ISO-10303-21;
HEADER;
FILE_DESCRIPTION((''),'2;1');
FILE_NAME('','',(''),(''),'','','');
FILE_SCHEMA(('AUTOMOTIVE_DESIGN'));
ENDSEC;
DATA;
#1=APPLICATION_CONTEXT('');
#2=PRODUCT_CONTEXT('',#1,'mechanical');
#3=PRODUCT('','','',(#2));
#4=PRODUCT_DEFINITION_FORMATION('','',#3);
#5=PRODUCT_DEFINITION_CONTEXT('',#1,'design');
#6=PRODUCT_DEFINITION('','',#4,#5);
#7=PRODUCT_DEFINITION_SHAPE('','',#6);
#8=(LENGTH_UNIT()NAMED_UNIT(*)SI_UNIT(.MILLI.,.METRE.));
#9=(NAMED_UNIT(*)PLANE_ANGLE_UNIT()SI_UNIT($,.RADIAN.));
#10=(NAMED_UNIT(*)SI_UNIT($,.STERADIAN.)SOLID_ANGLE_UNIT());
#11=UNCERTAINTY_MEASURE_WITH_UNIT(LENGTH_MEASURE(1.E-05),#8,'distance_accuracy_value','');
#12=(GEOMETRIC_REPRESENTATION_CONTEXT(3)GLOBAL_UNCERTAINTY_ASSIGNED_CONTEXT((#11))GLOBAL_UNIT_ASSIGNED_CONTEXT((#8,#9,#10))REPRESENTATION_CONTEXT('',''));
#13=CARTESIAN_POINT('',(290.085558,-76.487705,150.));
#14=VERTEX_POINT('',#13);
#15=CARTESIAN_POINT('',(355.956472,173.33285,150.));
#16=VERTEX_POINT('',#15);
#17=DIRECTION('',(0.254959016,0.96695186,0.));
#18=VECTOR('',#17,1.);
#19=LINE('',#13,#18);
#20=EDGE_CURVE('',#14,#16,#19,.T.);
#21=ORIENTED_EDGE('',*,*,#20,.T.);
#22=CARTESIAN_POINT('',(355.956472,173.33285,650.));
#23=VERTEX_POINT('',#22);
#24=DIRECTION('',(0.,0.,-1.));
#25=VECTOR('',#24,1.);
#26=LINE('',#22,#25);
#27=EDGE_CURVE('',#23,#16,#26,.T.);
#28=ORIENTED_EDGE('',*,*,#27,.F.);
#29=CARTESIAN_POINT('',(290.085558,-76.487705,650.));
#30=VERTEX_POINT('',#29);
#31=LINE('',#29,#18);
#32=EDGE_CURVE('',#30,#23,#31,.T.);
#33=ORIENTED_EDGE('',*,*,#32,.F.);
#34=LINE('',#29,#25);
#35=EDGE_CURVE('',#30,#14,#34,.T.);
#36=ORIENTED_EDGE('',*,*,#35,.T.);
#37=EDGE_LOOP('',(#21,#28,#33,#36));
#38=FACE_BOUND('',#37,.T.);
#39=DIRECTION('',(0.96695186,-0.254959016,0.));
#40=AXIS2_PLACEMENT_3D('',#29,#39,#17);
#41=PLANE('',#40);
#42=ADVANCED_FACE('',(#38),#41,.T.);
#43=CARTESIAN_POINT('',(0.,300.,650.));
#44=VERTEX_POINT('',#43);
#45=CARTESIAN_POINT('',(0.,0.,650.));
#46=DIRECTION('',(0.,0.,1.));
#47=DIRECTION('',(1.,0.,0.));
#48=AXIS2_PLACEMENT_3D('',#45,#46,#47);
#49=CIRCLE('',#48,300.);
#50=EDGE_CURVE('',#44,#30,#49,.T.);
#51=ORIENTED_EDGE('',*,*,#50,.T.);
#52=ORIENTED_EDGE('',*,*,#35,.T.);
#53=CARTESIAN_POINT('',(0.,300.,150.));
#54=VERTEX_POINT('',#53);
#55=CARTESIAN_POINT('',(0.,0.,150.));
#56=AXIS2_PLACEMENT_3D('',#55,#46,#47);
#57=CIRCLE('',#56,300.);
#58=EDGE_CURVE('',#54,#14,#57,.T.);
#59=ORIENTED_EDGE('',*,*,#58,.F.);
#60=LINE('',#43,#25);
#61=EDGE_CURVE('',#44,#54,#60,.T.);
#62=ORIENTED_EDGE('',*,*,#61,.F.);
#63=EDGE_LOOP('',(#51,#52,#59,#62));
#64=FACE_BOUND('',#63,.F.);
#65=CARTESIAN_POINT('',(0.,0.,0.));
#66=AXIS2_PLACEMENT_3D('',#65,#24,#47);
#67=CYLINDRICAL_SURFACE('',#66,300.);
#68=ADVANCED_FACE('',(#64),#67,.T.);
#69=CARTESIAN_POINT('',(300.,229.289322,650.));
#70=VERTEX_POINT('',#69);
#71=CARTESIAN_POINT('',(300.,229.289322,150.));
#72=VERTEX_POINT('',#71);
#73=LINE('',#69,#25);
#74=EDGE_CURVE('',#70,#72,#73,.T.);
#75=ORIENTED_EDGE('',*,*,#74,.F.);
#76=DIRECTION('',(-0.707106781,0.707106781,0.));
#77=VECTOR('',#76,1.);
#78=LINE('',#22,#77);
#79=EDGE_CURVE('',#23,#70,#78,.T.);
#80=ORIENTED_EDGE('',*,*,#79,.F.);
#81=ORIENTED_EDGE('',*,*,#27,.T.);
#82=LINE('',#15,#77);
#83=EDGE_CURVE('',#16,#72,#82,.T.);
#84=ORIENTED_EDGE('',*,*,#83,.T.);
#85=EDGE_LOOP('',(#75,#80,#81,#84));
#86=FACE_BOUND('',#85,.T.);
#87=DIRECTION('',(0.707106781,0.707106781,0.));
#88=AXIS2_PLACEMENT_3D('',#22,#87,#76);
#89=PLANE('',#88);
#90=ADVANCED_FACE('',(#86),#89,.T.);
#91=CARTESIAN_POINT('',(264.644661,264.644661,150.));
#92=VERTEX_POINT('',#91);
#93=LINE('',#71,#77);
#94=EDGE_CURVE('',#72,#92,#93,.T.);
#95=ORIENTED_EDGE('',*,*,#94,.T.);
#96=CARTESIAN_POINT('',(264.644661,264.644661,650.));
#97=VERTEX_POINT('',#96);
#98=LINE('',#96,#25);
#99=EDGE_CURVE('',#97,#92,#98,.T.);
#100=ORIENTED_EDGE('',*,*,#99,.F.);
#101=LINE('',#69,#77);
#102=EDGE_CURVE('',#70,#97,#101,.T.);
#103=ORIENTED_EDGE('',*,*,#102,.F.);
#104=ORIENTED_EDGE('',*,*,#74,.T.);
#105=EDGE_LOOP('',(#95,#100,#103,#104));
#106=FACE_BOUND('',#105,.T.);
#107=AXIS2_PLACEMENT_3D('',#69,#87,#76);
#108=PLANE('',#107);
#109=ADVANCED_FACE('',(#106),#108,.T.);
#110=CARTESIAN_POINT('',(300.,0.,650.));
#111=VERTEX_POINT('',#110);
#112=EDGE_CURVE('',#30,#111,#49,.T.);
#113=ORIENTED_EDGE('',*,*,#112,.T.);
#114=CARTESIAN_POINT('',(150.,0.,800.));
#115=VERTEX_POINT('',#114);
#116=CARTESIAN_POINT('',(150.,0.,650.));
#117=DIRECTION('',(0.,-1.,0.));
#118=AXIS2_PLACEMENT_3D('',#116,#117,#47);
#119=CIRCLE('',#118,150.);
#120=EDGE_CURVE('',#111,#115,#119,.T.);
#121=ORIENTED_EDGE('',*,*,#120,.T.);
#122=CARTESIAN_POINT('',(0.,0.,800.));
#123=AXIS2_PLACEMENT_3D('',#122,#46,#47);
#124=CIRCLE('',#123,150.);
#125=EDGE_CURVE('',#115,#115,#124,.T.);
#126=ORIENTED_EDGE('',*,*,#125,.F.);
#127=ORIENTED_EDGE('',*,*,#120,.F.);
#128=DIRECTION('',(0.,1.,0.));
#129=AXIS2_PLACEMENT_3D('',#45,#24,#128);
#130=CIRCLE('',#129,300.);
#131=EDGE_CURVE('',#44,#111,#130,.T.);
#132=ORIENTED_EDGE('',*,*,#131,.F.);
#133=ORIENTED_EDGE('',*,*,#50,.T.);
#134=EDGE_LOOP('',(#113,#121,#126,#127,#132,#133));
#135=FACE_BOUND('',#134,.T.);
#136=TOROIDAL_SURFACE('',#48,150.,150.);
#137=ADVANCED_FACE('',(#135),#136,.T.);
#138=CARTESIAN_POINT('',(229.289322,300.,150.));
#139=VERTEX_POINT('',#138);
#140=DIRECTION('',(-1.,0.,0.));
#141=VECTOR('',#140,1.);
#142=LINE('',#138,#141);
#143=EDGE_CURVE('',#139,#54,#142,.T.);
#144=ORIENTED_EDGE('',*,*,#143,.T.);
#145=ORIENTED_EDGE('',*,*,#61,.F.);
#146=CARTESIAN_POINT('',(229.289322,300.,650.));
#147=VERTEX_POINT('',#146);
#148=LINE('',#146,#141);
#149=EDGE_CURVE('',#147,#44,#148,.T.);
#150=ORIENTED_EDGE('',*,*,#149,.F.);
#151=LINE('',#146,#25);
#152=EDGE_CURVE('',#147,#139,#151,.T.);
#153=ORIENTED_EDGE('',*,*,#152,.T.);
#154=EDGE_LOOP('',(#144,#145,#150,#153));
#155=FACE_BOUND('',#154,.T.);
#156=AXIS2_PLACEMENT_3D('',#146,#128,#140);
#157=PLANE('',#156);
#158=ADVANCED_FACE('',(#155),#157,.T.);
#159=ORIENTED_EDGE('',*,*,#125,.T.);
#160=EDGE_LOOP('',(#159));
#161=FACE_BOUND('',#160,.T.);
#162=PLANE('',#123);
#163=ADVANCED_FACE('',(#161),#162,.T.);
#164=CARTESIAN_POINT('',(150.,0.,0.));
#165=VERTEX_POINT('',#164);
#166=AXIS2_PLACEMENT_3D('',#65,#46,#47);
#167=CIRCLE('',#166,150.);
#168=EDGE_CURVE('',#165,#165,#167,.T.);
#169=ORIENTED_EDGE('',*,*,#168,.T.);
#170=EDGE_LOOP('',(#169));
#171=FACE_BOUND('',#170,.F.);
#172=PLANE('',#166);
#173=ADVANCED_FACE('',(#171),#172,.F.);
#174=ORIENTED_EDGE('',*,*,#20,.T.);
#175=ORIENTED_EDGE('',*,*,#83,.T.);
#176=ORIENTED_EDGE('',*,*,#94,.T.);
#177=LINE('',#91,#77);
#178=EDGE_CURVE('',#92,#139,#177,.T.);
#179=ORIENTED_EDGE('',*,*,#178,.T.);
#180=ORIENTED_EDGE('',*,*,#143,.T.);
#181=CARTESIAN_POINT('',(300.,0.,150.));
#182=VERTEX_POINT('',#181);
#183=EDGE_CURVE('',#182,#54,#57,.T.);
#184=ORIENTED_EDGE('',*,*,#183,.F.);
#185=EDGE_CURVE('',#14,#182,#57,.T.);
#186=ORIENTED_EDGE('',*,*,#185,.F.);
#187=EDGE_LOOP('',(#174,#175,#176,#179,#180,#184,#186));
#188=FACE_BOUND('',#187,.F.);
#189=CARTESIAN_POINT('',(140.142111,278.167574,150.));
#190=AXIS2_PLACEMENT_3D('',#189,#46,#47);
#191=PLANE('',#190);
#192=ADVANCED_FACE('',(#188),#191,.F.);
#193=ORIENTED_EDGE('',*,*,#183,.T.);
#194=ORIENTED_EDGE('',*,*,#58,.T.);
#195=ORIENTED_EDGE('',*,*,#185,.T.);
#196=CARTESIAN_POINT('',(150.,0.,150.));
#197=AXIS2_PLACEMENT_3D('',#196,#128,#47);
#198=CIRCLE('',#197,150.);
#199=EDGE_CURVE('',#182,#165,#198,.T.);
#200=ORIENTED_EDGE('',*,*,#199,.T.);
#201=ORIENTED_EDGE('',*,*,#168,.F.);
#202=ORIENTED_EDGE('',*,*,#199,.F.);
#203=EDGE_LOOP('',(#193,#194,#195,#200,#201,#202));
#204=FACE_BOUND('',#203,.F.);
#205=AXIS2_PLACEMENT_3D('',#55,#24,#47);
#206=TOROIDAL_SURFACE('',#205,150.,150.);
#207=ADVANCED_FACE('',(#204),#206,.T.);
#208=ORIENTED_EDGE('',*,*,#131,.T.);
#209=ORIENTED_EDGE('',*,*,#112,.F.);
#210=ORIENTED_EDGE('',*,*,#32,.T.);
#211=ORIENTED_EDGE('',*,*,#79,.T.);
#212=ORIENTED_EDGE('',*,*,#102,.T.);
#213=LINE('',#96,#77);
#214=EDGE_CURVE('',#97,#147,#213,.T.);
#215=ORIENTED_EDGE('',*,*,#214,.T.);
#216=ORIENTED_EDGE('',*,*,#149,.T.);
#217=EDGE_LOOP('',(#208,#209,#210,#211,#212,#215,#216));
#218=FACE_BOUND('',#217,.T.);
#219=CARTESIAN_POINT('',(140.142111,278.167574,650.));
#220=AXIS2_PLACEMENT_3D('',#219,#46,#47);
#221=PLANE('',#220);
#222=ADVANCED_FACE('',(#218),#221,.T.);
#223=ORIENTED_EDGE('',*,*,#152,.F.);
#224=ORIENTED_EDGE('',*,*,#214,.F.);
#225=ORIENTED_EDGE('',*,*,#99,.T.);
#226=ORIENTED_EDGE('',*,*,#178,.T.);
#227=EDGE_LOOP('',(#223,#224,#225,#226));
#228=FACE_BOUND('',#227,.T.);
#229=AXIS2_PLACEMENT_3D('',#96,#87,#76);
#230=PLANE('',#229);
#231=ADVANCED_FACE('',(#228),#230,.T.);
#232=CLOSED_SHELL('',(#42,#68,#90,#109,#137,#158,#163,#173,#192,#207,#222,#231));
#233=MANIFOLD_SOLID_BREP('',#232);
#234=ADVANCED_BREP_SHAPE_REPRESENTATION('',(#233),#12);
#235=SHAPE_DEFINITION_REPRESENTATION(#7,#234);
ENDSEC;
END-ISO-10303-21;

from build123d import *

# Parameters (mm, degrees)
F0_R     = 300
F1_DEPTH = 800
F2_R     = 150
F4_START = -150
F4_DEPTH = 500


with BuildPart() as f1:
    # F0 (on Top) → F1 (new body)
    with BuildSketch(Plane.XY):
        Circle(F0_R)
    extrude(amount=F1_DEPTH)

    # F2
    f2_edges = [f1.edges().sort_by_distance(p)[0] for p in [
        (-300, 0, 800),
        (-300, 0, 0),
    ]]
    fillet(f2_edges, radius=F2_R)

    # F3 (on face) → F4 (join)
    with BuildSketch(Plane.XY.offset(800).offset(F4_START)):
        with BuildLine():
            Line((229.2893218813, 300), (0, 300))
            ThreePointArc((0, 300), (114.8050297095, 277.1638597534), (212.132034356, 212.132034356))
            Line((212.132034356, 212.132034356), (264.6446609407, 264.6446609407))
            Line((264.6446609407, 264.6446609407), (229.2893218813, 300))
        make_face()
        with BuildLine():
            ThreePointArc((212.132034356, 212.132034356), (277.1638597534, 114.8050297095), (300, 0))
            Line((300, 0), (300, 229.2893218813))
            Line((300, 229.2893218813), (264.6446609407, 264.6446609407))
            Line((264.6446609407, 264.6446609407), (212.132034356, 212.132034356))
        make_face()
        with BuildLine():
            Line((300, 229.2893218813), (300, 0))
            ThreePointArc((300, 0), (297.5110648624, -38.5637949955), (290.0855581037, -76.4877047615))
            Line((290.0855581037, -76.4877047615), (355.9564720177, 173.3328498637))
            Line((355.9564720177, 173.3328498637), (300, 229.2893218813))
        make_face()
    extrude(amount=-F4_DEPTH)


solid = f1.part
